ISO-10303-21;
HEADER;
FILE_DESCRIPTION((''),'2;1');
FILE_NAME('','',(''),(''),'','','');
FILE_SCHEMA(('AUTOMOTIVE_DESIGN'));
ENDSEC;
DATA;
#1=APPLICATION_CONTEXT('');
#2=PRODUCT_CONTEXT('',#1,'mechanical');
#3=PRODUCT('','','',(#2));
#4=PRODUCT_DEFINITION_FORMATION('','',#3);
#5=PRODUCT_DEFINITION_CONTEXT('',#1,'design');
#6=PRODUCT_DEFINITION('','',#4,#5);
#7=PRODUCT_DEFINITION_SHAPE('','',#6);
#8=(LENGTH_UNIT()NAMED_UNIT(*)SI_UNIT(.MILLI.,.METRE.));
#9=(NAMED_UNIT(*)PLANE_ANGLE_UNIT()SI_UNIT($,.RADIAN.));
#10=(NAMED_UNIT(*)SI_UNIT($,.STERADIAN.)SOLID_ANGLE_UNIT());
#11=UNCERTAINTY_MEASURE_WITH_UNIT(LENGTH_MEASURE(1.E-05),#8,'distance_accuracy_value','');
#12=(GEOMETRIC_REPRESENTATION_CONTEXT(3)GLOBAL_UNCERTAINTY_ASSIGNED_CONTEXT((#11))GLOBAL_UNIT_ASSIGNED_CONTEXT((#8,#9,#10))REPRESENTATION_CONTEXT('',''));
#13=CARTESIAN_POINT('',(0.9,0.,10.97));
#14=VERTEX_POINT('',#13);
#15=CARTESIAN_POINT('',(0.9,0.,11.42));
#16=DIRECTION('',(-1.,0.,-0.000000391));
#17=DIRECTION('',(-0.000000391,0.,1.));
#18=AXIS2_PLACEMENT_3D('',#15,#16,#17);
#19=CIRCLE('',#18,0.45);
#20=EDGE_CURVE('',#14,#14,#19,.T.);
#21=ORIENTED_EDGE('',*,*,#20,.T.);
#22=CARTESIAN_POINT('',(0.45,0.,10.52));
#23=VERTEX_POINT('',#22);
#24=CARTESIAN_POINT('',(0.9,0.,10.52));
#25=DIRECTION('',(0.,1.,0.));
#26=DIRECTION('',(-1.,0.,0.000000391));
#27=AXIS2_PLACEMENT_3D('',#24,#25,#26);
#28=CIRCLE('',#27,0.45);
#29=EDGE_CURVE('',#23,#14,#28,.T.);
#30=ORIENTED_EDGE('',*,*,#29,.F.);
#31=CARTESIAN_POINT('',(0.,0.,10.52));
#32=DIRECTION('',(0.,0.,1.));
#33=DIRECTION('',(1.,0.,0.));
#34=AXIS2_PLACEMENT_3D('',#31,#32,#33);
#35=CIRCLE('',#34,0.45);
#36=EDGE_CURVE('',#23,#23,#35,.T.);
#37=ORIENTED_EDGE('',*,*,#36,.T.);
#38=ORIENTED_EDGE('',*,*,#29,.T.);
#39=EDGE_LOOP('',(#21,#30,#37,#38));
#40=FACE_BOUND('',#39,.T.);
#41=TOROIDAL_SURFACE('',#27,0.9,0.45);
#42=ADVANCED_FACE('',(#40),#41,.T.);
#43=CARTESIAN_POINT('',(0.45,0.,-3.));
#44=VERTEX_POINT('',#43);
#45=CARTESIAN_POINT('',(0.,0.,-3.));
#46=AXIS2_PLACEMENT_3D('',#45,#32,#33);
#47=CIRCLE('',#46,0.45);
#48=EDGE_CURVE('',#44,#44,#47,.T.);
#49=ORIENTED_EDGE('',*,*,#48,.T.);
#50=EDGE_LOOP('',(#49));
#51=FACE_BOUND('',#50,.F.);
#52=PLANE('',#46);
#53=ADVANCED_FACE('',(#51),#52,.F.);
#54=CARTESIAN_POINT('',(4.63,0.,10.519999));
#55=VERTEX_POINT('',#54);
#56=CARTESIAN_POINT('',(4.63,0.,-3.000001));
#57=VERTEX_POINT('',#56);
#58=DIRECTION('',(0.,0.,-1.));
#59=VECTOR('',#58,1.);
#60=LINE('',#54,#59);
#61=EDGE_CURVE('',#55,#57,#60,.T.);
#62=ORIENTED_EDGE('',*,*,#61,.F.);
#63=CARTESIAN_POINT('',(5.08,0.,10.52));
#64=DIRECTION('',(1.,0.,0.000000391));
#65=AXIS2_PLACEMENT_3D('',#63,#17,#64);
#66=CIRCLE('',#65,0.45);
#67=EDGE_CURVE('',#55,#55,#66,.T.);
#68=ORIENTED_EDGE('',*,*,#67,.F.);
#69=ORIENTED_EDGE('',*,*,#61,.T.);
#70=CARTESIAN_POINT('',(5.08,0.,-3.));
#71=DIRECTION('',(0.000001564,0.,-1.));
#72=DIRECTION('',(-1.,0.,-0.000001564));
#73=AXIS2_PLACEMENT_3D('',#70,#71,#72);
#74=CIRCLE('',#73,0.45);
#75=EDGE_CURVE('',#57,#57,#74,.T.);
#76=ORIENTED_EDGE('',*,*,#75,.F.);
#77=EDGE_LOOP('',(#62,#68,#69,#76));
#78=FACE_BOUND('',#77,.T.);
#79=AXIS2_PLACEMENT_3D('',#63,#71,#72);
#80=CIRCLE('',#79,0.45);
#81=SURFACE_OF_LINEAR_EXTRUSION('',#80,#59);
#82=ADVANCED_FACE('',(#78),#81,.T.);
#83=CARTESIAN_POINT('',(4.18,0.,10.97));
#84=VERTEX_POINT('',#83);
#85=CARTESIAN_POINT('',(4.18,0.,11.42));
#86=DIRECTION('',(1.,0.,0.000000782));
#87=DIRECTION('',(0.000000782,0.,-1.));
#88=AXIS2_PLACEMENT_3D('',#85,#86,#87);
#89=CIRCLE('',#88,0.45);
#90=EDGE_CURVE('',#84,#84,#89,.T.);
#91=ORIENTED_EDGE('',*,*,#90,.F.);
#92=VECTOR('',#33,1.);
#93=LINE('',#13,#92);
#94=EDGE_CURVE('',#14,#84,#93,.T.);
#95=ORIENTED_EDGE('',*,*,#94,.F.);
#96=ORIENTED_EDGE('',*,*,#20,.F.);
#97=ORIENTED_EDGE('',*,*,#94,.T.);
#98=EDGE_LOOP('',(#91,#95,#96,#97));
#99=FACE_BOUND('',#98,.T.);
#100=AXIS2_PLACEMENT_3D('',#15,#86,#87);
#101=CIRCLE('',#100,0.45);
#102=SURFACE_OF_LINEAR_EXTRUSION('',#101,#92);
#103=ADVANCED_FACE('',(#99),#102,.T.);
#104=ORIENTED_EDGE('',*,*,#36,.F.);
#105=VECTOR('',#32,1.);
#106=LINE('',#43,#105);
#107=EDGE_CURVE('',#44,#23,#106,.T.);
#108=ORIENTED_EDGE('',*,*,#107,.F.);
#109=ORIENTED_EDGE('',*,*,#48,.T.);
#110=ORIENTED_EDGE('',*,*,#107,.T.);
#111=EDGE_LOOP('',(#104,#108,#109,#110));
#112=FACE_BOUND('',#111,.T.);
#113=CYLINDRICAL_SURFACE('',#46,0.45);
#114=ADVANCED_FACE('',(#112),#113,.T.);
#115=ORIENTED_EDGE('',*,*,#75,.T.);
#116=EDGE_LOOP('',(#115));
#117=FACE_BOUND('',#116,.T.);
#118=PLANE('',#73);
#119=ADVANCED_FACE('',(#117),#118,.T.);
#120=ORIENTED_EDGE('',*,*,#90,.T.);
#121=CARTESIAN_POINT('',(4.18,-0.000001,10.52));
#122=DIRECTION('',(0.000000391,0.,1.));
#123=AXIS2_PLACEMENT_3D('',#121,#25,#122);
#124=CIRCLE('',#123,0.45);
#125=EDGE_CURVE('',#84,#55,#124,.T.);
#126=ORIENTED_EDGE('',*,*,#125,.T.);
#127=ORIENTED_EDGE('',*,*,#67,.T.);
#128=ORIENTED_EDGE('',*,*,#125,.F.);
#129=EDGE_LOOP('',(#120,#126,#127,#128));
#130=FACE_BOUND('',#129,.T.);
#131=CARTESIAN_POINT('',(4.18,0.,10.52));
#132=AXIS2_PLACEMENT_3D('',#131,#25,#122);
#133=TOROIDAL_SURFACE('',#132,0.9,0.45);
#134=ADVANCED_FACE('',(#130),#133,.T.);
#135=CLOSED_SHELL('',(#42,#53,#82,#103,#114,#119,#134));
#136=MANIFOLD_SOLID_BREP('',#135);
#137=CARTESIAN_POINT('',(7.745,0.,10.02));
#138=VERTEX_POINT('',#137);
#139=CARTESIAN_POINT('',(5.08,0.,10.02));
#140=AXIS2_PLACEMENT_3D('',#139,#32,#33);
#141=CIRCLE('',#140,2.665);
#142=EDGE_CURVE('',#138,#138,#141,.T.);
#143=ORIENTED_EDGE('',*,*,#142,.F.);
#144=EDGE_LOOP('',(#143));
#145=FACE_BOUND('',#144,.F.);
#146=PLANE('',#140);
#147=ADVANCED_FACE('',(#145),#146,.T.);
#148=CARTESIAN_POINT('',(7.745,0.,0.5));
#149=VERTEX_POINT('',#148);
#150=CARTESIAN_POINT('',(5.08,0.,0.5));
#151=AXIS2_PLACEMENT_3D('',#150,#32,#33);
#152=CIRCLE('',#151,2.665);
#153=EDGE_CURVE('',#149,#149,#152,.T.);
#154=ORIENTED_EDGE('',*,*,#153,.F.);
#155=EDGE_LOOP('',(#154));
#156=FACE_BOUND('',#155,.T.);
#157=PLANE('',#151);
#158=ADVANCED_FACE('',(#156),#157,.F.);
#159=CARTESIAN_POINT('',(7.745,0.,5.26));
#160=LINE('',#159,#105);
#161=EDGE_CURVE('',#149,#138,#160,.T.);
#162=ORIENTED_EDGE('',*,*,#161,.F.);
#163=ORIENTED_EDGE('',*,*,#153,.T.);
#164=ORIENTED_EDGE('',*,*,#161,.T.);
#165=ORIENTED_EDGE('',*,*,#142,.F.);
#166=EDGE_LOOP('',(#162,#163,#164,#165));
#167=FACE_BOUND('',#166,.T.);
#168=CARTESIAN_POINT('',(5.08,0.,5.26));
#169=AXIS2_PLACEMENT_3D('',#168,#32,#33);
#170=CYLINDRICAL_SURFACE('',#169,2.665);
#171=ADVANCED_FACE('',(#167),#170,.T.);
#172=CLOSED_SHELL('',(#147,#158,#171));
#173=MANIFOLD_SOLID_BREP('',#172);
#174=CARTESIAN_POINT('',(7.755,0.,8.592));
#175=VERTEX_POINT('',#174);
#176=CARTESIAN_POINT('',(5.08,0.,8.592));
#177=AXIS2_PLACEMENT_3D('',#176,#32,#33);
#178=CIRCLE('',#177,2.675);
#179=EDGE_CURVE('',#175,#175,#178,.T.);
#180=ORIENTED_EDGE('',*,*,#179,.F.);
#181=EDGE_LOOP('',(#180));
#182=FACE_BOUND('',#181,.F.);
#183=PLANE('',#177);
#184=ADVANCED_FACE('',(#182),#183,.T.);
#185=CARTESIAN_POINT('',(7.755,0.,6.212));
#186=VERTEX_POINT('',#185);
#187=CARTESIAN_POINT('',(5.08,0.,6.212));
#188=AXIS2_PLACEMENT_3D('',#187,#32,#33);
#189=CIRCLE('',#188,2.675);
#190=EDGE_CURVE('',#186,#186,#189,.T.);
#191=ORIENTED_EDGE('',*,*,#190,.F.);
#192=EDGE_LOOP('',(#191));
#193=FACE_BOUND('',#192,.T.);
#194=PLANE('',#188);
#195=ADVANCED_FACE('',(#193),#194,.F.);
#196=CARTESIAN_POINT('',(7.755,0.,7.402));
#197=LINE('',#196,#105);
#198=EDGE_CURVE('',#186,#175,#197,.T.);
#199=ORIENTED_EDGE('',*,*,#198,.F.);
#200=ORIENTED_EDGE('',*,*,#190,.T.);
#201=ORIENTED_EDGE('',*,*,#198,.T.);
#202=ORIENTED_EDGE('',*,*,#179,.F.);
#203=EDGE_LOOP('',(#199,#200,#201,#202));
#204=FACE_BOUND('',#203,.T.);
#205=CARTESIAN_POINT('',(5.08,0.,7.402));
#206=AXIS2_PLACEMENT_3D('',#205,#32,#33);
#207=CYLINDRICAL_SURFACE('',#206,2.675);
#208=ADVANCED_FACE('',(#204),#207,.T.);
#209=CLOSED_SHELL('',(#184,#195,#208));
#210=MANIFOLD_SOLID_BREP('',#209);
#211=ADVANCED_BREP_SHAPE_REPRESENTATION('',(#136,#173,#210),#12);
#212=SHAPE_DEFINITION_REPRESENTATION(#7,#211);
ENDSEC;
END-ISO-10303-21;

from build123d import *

# Parameters (mm, degrees)
SKETCH001_R = 0.45
SKETCH002_W = 2.665
SKETCH002_H = 9.52
SKETCH003_W = 2.675
SKETCH003_H = 2.38


with BuildPart() as sweep_body:
    # Sweep: sweep along a path in Sketch
    with BuildLine(Plane.XZ) as sweep_path:
        Line((0, -3), (0, 10.52))
        ThreePointArc((0, 10.52), (0.263604, 11.156396), (0.9, 11.42))
        Line((0.9, 11.42), (4.18, 11.42))
        ThreePointArc((4.18, 11.42), (4.816396, 11.156396), (5.08, 10.52))
        Line((5.08, 10.52), (5.08, -3))
    # Sketch001 → Sweep (sweep)
    with BuildSketch(Plane.XY):
        Circle(SKETCH001_R)
    sweep(path=sweep_path.line)


with BuildPart() as revolution:
    # Sketch002 → Revolution (revolve)
    with BuildSketch(Plane.XZ):
        with Locations((6.4125, 5.26)):
            Rectangle(SKETCH002_W, SKETCH002_H)
    revolve(axis=Axis((5.08, 0, 0.5), (0, 0, 1)))


with BuildPart() as revolution001:
    # Sketch003 → Revolution001 (revolve)
    with BuildSketch(Plane.XZ):
        with Locations((6.4175, 7.402)):
            Rectangle(SKETCH003_W, SKETCH003_H)
    revolve(axis=Axis((5.08, 0, 6.212), (0, 0, 1)))


solid = Compound([sweep_body.part, revolution.part, revolution001.part])
